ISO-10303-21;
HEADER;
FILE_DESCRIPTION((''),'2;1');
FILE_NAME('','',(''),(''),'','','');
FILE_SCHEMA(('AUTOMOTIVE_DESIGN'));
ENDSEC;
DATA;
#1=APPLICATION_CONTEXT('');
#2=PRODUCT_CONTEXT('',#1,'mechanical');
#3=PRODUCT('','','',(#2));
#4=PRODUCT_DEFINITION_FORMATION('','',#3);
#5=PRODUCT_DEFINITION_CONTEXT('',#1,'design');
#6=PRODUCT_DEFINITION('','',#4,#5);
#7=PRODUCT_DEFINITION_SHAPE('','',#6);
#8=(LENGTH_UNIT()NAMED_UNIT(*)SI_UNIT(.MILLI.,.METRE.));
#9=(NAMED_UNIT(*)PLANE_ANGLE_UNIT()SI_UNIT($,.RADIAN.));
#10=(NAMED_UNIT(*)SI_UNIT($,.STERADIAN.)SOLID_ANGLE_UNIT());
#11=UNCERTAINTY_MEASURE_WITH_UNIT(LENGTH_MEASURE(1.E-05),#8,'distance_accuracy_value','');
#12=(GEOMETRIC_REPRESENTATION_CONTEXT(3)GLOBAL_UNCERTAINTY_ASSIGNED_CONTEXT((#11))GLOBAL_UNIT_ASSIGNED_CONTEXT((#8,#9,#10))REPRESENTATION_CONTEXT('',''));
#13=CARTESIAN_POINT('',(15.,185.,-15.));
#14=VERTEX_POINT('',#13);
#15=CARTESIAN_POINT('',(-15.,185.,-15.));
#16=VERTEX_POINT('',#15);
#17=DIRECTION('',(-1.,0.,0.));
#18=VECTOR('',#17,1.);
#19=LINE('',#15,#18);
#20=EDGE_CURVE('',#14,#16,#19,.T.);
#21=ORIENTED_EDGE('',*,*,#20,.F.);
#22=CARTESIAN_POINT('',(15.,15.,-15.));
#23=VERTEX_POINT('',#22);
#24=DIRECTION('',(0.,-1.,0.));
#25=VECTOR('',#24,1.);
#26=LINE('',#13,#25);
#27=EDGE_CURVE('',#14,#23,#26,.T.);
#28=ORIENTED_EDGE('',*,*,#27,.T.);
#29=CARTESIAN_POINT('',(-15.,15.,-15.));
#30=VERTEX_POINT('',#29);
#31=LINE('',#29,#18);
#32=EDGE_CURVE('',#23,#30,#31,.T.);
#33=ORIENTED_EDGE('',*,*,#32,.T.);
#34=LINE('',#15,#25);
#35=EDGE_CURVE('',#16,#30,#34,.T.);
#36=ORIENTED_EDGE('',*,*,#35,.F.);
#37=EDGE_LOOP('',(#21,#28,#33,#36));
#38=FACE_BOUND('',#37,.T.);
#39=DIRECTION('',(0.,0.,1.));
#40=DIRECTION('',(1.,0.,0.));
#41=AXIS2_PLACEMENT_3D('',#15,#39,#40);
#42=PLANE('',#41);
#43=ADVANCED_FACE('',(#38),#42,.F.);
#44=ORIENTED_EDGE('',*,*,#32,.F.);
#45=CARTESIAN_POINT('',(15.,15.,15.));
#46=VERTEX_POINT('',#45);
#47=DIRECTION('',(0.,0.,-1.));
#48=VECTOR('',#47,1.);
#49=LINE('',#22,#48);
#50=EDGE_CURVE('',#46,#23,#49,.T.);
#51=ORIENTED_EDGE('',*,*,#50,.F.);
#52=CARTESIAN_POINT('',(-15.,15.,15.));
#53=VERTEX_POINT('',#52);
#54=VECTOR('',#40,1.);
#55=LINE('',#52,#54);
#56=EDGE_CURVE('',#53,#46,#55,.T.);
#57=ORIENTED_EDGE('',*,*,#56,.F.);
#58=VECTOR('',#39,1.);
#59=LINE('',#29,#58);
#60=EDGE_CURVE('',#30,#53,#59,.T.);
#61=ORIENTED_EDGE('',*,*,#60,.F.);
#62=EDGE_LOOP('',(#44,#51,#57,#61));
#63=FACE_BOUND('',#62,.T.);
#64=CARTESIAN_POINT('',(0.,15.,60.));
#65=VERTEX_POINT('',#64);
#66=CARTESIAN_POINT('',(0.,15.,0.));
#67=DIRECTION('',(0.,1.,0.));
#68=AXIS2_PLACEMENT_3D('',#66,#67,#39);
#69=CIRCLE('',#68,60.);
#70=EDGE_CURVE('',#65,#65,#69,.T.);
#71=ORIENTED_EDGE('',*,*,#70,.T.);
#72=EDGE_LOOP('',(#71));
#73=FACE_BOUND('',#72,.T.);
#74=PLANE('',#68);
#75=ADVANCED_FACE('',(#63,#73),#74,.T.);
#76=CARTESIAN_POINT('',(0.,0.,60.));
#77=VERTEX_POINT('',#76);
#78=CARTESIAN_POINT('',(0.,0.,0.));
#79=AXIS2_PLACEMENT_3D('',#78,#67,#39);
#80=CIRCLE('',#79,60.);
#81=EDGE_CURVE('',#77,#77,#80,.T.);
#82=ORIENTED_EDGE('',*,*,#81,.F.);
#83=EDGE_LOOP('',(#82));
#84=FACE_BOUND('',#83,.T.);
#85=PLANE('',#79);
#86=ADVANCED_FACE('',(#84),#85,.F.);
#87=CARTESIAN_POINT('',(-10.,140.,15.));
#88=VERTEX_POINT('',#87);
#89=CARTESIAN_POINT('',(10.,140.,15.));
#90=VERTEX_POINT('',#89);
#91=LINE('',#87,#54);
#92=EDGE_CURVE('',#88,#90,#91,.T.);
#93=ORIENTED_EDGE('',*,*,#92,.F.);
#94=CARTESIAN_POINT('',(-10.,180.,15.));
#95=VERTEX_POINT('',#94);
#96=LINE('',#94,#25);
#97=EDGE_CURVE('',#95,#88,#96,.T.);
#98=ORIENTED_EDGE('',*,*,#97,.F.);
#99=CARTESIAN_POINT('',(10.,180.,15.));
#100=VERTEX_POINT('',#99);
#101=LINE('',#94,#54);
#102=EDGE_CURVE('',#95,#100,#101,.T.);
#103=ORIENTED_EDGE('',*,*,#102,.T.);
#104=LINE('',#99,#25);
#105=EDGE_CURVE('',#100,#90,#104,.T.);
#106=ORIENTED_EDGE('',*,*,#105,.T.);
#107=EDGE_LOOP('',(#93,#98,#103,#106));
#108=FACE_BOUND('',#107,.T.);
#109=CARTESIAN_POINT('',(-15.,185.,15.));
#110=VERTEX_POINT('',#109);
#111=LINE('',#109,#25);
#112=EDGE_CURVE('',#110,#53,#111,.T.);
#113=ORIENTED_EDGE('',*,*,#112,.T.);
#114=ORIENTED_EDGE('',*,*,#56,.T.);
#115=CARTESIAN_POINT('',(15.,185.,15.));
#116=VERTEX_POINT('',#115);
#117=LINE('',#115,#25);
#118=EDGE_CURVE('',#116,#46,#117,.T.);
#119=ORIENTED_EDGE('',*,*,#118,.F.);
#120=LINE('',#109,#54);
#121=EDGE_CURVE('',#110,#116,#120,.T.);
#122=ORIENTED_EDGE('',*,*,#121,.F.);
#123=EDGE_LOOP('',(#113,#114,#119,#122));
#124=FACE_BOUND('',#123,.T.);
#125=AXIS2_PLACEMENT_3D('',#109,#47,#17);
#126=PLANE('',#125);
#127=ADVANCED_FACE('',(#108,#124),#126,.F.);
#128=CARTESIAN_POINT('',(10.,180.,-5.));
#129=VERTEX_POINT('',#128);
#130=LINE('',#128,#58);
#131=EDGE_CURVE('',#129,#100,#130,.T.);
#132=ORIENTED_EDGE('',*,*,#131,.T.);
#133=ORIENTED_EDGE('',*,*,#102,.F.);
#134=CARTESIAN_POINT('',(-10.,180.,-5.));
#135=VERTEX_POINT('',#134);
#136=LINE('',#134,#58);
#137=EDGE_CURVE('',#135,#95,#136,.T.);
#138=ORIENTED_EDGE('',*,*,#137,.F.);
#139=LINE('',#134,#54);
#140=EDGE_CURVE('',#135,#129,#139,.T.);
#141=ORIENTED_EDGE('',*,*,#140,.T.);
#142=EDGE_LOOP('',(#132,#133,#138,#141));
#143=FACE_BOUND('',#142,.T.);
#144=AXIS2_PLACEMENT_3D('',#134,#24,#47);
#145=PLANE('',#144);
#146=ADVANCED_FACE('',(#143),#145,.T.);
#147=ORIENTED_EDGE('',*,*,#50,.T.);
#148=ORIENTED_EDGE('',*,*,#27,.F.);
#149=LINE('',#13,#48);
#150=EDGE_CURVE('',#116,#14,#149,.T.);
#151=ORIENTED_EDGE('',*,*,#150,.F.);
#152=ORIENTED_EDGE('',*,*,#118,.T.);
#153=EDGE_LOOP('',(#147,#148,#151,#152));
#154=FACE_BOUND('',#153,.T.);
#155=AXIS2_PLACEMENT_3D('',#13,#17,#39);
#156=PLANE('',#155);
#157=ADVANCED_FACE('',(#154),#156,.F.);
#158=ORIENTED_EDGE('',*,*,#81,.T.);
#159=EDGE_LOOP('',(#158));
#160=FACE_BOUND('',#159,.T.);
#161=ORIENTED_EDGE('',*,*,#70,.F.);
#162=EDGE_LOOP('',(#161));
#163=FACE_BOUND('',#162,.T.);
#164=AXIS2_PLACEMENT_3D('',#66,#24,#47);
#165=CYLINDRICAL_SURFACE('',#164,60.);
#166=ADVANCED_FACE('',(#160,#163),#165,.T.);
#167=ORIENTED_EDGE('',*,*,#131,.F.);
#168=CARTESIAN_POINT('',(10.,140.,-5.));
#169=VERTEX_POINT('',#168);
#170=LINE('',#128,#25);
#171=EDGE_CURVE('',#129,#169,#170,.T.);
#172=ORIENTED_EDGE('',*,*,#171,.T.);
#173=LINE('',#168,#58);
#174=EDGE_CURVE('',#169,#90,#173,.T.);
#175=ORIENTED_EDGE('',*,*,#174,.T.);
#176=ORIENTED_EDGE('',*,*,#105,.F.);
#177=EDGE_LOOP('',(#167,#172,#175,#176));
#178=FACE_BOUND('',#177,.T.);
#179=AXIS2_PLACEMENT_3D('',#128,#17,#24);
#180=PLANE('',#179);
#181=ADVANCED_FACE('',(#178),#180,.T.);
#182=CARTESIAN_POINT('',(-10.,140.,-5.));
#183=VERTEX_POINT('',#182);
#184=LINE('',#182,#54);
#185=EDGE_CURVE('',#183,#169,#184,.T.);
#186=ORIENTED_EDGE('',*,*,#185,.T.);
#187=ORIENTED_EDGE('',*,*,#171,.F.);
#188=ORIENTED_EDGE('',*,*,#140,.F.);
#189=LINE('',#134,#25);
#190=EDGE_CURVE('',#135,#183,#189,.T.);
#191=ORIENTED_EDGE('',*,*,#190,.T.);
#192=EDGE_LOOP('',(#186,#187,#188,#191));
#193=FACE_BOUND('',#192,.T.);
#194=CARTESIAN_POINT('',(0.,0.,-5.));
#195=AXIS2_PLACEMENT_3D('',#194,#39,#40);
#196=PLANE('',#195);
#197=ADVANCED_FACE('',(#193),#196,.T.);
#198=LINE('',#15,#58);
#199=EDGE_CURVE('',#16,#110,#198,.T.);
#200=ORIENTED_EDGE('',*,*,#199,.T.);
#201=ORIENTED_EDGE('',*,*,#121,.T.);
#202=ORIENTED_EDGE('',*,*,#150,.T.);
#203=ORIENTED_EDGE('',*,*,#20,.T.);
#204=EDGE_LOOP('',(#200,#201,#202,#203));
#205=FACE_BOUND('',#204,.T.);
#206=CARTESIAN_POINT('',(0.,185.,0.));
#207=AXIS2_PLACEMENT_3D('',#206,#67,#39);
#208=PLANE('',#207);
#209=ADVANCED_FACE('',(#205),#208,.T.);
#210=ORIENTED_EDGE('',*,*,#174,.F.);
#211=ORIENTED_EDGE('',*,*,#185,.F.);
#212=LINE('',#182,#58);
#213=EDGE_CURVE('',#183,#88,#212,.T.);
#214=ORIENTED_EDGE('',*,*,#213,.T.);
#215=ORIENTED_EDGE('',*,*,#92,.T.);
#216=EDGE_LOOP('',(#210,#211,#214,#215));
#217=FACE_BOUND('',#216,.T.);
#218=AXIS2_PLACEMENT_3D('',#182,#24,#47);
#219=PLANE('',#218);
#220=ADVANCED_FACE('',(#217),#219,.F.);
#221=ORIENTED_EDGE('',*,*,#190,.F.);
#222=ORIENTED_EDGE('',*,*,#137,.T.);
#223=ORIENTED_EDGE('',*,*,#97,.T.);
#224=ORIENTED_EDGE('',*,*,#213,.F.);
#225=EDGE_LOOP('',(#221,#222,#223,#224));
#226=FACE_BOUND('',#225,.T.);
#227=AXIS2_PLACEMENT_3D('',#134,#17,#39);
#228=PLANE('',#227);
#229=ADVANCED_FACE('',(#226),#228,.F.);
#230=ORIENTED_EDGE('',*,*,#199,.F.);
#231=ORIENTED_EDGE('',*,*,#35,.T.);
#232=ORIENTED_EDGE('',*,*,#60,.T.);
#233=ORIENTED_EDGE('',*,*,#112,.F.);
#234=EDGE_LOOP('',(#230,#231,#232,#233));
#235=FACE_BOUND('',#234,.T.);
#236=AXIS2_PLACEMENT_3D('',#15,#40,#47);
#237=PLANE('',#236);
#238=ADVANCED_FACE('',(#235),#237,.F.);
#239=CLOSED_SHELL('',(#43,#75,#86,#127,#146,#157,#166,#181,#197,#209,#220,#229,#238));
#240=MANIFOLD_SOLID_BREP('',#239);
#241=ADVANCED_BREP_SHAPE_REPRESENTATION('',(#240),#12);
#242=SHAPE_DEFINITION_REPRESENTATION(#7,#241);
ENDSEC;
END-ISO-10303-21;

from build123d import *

# Parameters (mm, degrees)
SKETCH1_R           = 60
BOSS_EXTRUDE1_DEPTH = 15
SKETCH3_W           = 30
SKETCH3_H           = 30
BOSS_EXTRUDE2_DEPTH = 170
SKETCH4_W           = 20
SKETCH4_H           = 40
CUT_EXTRUDE1_DEPTH  = 20


with BuildPart() as part:
    # Sketch1 → Boss-Extrude1 (new body)
    with BuildSketch(Plane(origin=(0, 0, 0), x_dir=(1, 0, 0), z_dir=(0, 1, 0))):
        Circle(SKETCH1_R)
    extrude(amount=BOSS_EXTRUDE1_DEPTH)

    # Sketch3 → Boss-Extrude2 (add)
    with BuildSketch(Plane(origin=(0, 15, 0), x_dir=(1, 0, 0), z_dir=(0, 1, 0))):
        Rectangle(SKETCH3_W, SKETCH3_H)
    extrude(amount=BOSS_EXTRUDE2_DEPTH)

    # Sketch4 → Cut-Extrude1 (cut)
    with BuildSketch(Plane.XY.offset(15)):
        with Locations((0, 160)):
            Rectangle(SKETCH4_W, SKETCH4_H)
    extrude(amount=-CUT_EXTRUDE1_DEPTH, mode=Mode.SUBTRACT)


solid = part.part
